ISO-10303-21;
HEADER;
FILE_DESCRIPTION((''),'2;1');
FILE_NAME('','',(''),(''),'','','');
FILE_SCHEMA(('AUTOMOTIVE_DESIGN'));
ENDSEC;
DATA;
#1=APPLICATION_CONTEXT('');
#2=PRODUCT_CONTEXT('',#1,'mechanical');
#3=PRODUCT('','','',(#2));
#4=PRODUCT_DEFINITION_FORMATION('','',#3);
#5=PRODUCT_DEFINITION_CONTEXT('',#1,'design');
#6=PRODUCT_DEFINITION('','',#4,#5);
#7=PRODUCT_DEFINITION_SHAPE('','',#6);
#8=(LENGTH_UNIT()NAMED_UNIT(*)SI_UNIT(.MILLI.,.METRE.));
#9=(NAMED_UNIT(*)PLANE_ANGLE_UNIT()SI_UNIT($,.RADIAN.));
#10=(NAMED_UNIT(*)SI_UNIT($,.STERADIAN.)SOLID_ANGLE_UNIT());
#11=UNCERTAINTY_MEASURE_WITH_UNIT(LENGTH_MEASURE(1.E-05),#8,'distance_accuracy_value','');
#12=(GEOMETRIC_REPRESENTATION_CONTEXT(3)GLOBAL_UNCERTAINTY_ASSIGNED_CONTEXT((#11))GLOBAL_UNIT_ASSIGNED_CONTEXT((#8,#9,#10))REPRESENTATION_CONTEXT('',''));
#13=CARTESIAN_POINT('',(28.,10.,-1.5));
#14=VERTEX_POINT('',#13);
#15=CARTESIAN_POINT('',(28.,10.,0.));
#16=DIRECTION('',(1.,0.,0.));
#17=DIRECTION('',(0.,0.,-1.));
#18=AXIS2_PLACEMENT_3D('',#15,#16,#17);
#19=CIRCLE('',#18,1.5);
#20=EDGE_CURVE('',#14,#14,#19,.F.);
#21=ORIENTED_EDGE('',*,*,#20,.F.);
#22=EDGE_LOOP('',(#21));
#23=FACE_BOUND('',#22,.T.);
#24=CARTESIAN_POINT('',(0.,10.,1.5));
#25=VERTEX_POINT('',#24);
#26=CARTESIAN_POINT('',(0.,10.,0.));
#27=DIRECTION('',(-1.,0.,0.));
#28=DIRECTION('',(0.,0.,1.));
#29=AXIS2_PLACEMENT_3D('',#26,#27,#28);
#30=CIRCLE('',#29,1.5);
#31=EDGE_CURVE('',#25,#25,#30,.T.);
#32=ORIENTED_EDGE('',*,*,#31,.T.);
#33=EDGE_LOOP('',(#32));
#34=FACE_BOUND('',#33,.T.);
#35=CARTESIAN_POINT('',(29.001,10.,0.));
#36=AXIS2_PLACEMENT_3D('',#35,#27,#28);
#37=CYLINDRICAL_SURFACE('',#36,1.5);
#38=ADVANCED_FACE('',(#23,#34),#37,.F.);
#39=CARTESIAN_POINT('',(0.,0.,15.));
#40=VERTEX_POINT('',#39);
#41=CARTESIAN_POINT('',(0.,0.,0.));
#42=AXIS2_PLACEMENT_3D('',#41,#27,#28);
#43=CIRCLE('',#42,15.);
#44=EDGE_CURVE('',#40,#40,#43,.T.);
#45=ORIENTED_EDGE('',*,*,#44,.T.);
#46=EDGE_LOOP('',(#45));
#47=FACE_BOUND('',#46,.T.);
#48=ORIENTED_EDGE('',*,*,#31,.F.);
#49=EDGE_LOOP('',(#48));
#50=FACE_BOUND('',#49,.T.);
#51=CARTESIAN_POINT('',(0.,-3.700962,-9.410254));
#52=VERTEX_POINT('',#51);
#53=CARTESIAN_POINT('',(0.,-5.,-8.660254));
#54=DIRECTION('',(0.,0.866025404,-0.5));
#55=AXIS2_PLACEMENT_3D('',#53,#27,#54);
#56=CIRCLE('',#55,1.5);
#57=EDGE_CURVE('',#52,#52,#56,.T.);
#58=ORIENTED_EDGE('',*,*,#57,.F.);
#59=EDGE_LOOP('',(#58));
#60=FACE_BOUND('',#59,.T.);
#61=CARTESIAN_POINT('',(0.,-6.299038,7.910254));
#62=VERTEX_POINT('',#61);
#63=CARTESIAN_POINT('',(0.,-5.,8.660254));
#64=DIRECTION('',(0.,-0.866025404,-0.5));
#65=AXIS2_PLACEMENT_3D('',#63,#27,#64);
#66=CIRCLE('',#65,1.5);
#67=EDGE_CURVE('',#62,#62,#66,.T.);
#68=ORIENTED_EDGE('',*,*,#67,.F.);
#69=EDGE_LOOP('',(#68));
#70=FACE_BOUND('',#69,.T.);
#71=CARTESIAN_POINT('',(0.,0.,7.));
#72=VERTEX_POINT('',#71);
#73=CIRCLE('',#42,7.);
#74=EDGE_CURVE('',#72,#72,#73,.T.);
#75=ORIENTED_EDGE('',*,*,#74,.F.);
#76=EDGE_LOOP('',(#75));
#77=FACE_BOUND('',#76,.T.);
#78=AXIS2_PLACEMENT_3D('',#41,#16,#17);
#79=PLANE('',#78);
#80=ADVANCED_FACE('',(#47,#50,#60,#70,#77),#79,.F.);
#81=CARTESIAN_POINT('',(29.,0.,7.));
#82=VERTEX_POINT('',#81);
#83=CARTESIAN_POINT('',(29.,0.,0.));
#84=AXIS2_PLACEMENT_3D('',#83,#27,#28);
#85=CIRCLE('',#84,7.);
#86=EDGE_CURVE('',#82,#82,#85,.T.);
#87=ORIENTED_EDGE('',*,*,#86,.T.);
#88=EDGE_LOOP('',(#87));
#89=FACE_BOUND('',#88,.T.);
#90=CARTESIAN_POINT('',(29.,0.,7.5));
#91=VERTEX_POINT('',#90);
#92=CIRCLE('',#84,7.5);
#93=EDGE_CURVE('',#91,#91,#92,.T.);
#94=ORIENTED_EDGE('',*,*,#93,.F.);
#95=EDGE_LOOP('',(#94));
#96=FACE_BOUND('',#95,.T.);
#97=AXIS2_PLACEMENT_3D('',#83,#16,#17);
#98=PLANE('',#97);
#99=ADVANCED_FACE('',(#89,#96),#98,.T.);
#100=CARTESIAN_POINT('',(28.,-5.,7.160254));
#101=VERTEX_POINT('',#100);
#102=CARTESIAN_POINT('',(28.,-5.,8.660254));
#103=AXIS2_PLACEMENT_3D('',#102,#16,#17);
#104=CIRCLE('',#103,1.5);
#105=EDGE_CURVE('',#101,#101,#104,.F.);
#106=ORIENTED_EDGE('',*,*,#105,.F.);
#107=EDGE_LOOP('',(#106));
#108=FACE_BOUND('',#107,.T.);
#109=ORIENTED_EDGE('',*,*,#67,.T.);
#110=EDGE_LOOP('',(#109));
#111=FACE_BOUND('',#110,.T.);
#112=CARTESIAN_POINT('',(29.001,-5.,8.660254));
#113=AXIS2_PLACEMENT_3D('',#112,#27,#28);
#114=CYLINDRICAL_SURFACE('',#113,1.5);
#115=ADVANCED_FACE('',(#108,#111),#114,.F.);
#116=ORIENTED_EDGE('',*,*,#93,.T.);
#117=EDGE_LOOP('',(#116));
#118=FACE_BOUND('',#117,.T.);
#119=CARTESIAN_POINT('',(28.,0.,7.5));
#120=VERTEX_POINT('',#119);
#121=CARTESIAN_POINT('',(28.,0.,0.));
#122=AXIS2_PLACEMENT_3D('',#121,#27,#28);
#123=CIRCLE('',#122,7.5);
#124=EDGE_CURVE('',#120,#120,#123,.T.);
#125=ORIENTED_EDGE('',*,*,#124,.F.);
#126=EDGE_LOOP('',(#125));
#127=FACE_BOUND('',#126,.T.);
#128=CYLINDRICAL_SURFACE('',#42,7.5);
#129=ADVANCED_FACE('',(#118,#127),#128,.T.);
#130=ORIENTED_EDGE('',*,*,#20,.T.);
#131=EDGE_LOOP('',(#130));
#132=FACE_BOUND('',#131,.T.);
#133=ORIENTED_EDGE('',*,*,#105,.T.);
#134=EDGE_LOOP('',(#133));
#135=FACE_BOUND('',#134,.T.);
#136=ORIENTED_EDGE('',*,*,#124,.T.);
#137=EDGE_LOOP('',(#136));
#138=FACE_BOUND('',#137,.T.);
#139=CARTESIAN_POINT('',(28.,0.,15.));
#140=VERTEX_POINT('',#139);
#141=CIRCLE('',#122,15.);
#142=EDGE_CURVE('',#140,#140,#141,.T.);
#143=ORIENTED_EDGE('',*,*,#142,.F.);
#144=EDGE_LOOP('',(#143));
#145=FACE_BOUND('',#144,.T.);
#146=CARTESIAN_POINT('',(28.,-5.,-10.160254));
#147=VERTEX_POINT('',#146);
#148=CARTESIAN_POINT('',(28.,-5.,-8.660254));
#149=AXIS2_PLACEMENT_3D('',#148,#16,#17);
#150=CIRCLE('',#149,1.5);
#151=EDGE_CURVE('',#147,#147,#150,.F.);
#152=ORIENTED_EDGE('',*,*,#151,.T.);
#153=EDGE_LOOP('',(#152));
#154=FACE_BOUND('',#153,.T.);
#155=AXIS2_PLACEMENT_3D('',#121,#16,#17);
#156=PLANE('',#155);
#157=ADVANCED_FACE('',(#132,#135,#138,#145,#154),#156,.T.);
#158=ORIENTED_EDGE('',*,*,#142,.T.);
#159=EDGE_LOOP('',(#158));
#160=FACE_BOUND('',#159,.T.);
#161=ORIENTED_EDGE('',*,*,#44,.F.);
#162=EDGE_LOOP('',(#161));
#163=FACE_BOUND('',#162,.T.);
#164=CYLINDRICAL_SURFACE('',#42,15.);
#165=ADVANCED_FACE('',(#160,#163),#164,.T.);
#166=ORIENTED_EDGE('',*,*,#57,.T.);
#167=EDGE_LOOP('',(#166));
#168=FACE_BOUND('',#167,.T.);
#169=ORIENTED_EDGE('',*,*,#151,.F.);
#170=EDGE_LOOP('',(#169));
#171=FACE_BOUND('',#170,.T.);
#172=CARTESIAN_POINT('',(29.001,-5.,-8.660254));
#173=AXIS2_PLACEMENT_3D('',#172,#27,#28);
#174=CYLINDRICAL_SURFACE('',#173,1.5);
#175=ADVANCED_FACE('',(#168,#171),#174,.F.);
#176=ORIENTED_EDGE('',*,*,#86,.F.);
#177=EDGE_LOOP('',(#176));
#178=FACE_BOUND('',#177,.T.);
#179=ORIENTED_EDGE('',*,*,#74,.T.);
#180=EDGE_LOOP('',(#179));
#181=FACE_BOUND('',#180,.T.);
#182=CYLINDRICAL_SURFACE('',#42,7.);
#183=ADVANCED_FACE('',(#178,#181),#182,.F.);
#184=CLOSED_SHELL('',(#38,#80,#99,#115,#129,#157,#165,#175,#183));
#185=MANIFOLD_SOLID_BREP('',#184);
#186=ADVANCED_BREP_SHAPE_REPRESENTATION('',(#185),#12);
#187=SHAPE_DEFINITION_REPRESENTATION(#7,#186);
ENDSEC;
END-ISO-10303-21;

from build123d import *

# Parameters (mm, degrees)
CUT_EXTRUDE1_REACH = 37.93
SKETCH3_R          = 1.5
CIRPATTERN1_COUNT  = 3


with BuildPart() as part:
    # Sketch2 → Revolve1 (revolve)
    with BuildSketch(Plane.XY, mode=Mode.PRIVATE) as revolve1_sk:
        Polygon((0, 15), (28, 15), (28, 7.5), (29, 7.5), (29, 7), (0, 7), align=None)
    revolve(revolve1_sk.sketch.rotate(Axis((0, 0, 0), (1, 0, 0)), 90), axis=Axis((0, 0, 0), (1, 0, 0)))

    # Sketch3 → Cut-Extrude1 (cut, up to next)
    with BuildSketch(Plane.ZY, mode=Mode.PRIVATE) as cut_extrude1_sk1:
        with Locations((0, 10)):
            Circle(SKETCH3_R)
    cut_extrude1_tool1 = extrude(cut_extrude1_sk1.sketch, amount=-CUT_EXTRUDE1_REACH, mode=Mode.PRIVATE) & part.part
    cut_extrude1 = cut_extrude1_tool1.solids().sort_by_distance((0, 10, 0))[0]
    add(cut_extrude1, mode=Mode.SUBTRACT)

    # CirPattern1: Cut-Extrude1 ×3 about axis
    cirpattern1_axis = Axis((0, 0, 0), (1, 0, 0))
    for i in range(1, CIRPATTERN1_COUNT):
        add(cut_extrude1.rotate(cirpattern1_axis, i * 360 / CIRPATTERN1_COUNT), mode=Mode.SUBTRACT)


solid = part.part
